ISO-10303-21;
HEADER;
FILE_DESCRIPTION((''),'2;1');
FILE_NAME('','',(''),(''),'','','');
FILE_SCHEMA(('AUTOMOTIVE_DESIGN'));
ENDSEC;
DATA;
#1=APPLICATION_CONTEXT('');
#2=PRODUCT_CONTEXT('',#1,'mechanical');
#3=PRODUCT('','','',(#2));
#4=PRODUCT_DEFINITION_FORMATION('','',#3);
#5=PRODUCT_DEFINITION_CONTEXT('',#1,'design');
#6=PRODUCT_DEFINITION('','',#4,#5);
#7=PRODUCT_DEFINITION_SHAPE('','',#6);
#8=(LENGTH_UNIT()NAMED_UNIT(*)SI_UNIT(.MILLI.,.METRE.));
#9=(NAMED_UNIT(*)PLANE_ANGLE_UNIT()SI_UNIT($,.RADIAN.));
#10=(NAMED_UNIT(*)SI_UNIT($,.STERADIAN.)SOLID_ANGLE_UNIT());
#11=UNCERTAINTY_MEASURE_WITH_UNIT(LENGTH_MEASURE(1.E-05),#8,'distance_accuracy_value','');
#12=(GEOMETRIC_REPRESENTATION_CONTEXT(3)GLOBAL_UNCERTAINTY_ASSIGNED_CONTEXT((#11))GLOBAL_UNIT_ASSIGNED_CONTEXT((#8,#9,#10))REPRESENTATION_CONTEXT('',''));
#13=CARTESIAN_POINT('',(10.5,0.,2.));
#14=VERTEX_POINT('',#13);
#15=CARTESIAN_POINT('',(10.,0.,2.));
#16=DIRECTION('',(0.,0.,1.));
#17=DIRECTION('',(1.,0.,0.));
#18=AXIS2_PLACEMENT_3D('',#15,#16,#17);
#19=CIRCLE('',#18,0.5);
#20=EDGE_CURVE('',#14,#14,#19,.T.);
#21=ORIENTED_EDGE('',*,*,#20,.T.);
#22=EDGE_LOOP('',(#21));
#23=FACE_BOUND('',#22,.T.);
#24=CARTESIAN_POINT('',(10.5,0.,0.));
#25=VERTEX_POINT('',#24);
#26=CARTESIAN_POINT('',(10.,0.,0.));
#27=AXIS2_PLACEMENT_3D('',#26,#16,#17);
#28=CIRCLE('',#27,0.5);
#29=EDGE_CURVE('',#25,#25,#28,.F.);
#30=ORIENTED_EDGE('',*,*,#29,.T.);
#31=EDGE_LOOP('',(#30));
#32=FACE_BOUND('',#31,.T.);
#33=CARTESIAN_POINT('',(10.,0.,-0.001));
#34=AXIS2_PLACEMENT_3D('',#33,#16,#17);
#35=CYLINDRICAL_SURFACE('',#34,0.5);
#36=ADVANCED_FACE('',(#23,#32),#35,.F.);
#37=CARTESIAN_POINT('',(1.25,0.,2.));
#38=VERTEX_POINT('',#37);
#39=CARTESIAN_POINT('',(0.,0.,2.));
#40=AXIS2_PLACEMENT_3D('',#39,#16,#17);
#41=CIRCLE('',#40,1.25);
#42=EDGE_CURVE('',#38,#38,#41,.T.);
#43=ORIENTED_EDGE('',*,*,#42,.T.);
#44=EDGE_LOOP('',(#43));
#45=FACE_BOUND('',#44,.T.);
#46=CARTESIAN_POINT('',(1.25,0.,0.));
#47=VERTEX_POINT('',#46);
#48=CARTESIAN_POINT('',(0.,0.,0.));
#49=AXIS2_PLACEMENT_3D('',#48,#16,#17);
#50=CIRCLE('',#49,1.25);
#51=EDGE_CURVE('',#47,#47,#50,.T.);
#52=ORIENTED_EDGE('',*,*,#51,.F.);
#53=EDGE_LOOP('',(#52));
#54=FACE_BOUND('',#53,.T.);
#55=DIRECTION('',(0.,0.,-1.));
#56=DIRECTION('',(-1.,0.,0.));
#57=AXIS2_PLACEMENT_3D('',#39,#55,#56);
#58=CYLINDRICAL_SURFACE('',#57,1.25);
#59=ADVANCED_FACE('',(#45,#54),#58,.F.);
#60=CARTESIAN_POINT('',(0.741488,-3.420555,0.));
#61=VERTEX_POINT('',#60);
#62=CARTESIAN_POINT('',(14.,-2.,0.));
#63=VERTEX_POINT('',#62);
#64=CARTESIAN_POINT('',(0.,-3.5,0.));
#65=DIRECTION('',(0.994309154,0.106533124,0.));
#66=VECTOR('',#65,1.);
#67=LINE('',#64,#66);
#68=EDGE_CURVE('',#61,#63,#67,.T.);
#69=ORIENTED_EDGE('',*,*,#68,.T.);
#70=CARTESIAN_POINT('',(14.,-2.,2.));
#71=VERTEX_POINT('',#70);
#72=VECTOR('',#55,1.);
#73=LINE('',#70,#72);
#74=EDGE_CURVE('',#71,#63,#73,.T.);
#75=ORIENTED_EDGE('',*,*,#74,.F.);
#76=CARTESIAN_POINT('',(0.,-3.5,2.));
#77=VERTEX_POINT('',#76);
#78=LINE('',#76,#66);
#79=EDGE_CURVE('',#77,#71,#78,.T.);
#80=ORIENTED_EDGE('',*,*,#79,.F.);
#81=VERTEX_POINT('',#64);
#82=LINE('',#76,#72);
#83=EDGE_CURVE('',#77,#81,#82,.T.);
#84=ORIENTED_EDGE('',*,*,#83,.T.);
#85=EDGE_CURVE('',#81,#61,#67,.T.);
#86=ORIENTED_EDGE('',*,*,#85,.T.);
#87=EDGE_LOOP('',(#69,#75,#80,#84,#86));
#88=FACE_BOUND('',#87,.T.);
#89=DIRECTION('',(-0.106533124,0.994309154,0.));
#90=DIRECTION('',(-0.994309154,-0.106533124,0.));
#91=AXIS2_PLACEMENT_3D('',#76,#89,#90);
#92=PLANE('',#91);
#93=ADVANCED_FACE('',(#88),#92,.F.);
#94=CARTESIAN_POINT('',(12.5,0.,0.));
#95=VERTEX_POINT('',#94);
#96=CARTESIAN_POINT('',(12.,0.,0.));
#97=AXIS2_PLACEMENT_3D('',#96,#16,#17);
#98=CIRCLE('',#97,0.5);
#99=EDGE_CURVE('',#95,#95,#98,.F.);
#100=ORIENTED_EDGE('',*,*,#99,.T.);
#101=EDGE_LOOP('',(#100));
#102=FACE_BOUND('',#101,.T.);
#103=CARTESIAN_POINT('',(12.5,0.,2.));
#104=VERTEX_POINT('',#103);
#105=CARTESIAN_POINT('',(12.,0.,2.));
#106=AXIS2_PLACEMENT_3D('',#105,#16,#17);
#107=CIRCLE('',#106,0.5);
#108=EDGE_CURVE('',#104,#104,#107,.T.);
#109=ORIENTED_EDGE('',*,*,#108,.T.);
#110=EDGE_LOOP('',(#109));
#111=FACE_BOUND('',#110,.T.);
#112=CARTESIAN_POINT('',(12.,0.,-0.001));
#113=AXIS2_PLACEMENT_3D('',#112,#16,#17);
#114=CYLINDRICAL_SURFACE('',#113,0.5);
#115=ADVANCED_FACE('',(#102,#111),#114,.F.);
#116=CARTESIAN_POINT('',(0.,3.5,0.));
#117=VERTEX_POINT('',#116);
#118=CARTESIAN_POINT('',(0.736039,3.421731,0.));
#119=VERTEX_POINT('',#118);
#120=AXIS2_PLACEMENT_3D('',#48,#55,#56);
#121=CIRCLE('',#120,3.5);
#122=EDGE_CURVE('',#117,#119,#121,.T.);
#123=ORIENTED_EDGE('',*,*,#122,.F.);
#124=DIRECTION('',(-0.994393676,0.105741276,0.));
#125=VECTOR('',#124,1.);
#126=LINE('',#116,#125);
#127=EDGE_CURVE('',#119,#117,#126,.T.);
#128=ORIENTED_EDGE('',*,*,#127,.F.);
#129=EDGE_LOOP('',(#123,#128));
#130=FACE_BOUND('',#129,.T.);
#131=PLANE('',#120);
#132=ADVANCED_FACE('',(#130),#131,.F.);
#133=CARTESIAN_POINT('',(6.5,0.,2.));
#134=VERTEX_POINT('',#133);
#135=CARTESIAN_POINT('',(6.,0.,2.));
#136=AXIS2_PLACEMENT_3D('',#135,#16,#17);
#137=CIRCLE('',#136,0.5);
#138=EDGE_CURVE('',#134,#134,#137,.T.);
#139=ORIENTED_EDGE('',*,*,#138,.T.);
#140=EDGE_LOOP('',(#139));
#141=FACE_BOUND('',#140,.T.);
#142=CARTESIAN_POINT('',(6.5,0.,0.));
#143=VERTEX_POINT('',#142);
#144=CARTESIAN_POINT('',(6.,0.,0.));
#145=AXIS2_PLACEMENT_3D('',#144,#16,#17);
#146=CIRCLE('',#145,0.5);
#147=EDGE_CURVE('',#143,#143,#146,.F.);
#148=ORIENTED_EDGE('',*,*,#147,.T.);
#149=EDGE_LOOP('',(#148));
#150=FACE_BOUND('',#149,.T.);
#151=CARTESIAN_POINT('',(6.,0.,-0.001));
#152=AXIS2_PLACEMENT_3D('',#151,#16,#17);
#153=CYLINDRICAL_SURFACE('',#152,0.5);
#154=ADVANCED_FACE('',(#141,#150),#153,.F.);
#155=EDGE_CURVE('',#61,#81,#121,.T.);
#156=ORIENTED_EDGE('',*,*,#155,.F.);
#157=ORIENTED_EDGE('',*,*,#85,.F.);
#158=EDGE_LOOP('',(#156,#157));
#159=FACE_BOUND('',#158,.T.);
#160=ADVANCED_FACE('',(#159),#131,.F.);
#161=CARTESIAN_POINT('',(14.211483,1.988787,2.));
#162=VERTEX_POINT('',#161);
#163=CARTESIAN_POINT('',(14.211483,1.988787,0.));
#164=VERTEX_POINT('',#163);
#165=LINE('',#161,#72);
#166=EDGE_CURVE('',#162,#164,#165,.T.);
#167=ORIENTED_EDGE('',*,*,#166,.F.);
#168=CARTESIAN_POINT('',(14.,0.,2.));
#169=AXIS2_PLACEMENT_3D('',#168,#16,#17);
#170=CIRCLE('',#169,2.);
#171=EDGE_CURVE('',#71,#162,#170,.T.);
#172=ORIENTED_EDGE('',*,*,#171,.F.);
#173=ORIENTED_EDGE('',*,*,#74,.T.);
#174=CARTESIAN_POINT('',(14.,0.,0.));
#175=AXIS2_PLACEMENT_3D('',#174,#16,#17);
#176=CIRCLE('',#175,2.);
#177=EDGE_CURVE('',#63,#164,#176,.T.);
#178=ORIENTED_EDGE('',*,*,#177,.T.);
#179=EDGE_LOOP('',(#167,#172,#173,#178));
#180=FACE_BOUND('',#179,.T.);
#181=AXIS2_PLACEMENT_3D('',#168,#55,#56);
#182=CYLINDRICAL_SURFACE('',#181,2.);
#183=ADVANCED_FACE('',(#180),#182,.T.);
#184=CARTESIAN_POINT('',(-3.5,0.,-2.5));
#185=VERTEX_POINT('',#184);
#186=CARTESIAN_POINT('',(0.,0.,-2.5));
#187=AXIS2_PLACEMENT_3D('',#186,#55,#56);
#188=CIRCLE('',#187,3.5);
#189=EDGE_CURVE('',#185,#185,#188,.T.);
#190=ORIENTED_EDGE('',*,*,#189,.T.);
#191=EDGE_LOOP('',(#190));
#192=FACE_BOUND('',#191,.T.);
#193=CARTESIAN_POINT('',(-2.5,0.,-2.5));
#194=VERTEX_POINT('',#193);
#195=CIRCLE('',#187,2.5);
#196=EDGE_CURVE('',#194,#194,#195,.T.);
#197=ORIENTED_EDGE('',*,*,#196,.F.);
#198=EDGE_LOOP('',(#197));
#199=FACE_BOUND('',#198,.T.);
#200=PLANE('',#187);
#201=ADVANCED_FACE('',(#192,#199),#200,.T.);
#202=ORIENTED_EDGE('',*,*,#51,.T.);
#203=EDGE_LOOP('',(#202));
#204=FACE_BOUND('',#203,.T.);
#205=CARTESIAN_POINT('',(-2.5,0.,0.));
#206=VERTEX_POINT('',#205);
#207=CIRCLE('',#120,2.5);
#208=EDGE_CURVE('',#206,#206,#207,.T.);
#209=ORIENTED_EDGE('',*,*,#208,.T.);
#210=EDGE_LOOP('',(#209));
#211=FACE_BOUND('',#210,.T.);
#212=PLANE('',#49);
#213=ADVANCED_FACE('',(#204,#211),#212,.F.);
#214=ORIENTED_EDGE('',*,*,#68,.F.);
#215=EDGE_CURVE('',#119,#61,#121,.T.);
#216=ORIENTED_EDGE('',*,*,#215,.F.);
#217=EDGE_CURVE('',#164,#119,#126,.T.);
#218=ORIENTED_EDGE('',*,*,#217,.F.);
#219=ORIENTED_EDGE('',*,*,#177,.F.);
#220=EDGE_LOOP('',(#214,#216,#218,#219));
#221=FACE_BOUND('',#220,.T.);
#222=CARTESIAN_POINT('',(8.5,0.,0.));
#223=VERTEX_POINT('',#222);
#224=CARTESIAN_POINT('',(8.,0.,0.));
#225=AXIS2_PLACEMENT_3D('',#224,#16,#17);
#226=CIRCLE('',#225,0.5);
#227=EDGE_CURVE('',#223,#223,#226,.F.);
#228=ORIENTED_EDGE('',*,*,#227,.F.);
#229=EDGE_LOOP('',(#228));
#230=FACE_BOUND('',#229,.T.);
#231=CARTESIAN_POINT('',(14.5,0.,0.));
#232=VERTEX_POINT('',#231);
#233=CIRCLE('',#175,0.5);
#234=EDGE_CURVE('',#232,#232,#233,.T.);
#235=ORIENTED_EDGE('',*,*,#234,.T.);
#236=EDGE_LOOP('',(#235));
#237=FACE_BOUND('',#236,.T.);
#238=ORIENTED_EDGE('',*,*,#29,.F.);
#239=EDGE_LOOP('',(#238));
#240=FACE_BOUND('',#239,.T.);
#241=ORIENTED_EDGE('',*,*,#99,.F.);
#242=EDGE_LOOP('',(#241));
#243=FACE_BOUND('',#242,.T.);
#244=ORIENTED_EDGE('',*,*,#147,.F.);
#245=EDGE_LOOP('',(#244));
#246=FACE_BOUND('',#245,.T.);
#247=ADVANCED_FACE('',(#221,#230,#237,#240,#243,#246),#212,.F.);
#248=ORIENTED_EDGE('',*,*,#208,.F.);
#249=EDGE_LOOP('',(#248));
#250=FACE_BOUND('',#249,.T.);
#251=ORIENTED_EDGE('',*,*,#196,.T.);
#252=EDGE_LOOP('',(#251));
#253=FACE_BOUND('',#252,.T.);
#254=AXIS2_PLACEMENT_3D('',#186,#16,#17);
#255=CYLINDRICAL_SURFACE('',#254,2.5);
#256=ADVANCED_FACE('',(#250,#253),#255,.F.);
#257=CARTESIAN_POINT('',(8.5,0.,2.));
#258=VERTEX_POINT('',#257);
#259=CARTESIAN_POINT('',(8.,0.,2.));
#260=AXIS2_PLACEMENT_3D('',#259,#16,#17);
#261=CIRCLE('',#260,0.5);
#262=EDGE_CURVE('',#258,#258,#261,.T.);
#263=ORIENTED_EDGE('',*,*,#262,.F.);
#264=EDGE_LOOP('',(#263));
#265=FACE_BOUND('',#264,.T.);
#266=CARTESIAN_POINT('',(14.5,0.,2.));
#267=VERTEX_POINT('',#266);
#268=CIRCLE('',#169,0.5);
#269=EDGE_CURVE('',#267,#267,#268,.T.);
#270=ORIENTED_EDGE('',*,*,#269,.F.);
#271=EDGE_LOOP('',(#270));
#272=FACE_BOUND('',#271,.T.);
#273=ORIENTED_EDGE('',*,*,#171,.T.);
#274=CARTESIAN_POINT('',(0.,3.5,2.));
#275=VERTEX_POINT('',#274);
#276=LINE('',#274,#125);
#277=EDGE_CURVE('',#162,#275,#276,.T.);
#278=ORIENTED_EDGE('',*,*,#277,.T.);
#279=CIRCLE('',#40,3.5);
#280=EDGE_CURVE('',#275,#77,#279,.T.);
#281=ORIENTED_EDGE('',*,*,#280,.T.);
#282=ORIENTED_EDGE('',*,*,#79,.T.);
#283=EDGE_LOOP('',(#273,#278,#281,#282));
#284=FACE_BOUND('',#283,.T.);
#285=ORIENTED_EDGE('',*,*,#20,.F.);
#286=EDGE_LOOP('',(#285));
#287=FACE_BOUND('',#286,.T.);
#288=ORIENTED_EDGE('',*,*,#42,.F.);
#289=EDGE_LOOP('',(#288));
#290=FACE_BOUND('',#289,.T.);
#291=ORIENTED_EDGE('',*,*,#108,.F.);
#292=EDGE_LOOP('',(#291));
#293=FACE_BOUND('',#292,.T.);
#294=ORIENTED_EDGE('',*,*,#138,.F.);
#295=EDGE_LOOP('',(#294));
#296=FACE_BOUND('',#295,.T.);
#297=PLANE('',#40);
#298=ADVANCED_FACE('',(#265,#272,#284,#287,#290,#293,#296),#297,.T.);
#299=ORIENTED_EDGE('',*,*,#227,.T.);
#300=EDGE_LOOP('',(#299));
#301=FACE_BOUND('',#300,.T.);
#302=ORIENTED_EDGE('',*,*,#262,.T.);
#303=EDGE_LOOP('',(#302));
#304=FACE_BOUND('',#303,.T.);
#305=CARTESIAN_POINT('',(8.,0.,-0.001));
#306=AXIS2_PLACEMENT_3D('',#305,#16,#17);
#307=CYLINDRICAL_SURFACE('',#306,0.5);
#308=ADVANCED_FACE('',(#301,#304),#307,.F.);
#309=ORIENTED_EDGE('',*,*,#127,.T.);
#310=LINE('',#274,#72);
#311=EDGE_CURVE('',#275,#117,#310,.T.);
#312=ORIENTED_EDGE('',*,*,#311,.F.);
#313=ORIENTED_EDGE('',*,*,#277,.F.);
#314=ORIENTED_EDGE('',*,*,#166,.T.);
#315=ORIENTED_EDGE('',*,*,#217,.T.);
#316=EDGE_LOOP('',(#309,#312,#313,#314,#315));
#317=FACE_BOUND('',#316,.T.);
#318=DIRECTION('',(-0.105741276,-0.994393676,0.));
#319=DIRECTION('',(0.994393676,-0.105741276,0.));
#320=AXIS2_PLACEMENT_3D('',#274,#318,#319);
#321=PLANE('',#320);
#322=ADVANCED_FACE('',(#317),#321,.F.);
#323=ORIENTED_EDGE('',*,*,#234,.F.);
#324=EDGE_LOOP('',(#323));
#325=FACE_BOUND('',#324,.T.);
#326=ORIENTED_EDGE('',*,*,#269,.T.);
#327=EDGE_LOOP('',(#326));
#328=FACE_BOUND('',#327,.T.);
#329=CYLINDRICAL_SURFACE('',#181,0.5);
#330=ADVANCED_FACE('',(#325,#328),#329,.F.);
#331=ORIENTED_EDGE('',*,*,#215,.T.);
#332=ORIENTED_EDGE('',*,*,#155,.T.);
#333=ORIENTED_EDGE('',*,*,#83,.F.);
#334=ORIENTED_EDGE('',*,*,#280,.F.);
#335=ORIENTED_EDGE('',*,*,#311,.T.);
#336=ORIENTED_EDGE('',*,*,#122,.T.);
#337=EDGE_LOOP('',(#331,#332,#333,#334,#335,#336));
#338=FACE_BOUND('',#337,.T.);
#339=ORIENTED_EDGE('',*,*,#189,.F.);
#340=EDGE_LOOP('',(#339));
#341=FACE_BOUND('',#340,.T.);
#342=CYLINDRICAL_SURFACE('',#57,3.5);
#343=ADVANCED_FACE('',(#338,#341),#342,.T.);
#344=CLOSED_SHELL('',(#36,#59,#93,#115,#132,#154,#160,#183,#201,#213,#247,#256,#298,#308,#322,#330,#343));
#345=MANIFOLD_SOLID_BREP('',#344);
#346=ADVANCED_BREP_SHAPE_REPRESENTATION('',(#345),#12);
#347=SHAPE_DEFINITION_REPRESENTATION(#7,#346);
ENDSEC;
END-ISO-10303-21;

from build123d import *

# Parameters (mm, degrees)
SKETCH_1_R          = 1.25
SKETCH_1_R_2        = 0.5
EXTRUDE_1_DEPTH     = 2
CUT_EXTRUDE_1_REACH = 18.5
SKETCH_2_R          = 0.5
EXTRUDE_START       = 2.5
SKETCH_3_R          = 3.5
SKETCH_3_R_2        = 2.5
EXTRUDE_2_DEPTH     = 2.5


with BuildPart() as part:
    # 草圖1 → 填料-伸長1 (new body)
    with BuildSketch(Plane.XY):
        with BuildLine():
            Line((0, 3.5), (14.211482552, 1.988787352))
            ThreePointArc((14.211482552, 1.988787352), (15.997194871, -0.105889793), (14, -2))
            Line((14, -2), (0, -3.5))
            ThreePointArc((0, -3.5), (-3.5, 0), (0, 3.5))
        make_face()
        Circle(SKETCH_1_R, mode=Mode.SUBTRACT)
        with Locations((14, 0)):
            Circle(SKETCH_1_R_2, mode=Mode.SUBTRACT)
    extrude(amount=EXTRUDE_1_DEPTH)

    # 草圖2 → 除料-伸長1 (cut, up to next)
    with BuildSketch(Plane.XY.offset(2), mode=Mode.PRIVATE) as cut_extrude_1_sk1:
        with Locations((12, 0)):
            Circle(SKETCH_2_R)
    cut_extrude_1_tool1 = extrude(cut_extrude_1_sk1.sketch, amount=-CUT_EXTRUDE_1_REACH, mode=Mode.PRIVATE) & part.part
    # 草圖2 → 除料-伸長1 (cut, up to next)
    with BuildSketch(Plane.XY.offset(2), mode=Mode.PRIVATE) as cut_extrude_1_sk2:
        with Locations((10, 0)):
            Circle(SKETCH_2_R)
    cut_extrude_1_tool2 = extrude(cut_extrude_1_sk2.sketch, amount=-CUT_EXTRUDE_1_REACH, mode=Mode.PRIVATE) & part.part
    # 草圖2 → 除料-伸長1 (cut, up to next)
    with BuildSketch(Plane.XY.offset(2), mode=Mode.PRIVATE) as cut_extrude_1_sk3:
        with Locations((8, 0)):
            Circle(SKETCH_2_R)
    cut_extrude_1_tool3 = extrude(cut_extrude_1_sk3.sketch, amount=-CUT_EXTRUDE_1_REACH, mode=Mode.PRIVATE) & part.part
    # 草圖2 → 除料-伸長1 (cut, up to next)
    with BuildSketch(Plane.XY.offset(2), mode=Mode.PRIVATE) as cut_extrude_1_sk4:
        with Locations((6, 0)):
            Circle(SKETCH_2_R)
    cut_extrude_1_tool4 = extrude(cut_extrude_1_sk4.sketch, amount=-CUT_EXTRUDE_1_REACH, mode=Mode.PRIVATE) & part.part
    add(cut_extrude_1_tool1.solids().sort_by_distance((12, 0, 2))[0], mode=Mode.SUBTRACT)
    add(cut_extrude_1_tool2.solids().sort_by_distance((10, 0, 2))[0], mode=Mode.SUBTRACT)
    add(cut_extrude_1_tool3.solids().sort_by_distance((8, 0, 2))[0], mode=Mode.SUBTRACT)
    add(cut_extrude_1_tool4.solids().sort_by_distance((6, 0, 2))[0], mode=Mode.SUBTRACT)

    # 草圖3 → 填料-伸長2 (add)
    with BuildSketch(Plane(origin=(0, 0, 0), x_dir=(-1, 0, 0), z_dir=(0, 0, -1)).offset(EXTRUDE_START)):
        Circle(SKETCH_3_R)
        Circle(SKETCH_3_R_2, mode=Mode.SUBTRACT)
    extrude(amount=-EXTRUDE_2_DEPTH)


solid = part.part
